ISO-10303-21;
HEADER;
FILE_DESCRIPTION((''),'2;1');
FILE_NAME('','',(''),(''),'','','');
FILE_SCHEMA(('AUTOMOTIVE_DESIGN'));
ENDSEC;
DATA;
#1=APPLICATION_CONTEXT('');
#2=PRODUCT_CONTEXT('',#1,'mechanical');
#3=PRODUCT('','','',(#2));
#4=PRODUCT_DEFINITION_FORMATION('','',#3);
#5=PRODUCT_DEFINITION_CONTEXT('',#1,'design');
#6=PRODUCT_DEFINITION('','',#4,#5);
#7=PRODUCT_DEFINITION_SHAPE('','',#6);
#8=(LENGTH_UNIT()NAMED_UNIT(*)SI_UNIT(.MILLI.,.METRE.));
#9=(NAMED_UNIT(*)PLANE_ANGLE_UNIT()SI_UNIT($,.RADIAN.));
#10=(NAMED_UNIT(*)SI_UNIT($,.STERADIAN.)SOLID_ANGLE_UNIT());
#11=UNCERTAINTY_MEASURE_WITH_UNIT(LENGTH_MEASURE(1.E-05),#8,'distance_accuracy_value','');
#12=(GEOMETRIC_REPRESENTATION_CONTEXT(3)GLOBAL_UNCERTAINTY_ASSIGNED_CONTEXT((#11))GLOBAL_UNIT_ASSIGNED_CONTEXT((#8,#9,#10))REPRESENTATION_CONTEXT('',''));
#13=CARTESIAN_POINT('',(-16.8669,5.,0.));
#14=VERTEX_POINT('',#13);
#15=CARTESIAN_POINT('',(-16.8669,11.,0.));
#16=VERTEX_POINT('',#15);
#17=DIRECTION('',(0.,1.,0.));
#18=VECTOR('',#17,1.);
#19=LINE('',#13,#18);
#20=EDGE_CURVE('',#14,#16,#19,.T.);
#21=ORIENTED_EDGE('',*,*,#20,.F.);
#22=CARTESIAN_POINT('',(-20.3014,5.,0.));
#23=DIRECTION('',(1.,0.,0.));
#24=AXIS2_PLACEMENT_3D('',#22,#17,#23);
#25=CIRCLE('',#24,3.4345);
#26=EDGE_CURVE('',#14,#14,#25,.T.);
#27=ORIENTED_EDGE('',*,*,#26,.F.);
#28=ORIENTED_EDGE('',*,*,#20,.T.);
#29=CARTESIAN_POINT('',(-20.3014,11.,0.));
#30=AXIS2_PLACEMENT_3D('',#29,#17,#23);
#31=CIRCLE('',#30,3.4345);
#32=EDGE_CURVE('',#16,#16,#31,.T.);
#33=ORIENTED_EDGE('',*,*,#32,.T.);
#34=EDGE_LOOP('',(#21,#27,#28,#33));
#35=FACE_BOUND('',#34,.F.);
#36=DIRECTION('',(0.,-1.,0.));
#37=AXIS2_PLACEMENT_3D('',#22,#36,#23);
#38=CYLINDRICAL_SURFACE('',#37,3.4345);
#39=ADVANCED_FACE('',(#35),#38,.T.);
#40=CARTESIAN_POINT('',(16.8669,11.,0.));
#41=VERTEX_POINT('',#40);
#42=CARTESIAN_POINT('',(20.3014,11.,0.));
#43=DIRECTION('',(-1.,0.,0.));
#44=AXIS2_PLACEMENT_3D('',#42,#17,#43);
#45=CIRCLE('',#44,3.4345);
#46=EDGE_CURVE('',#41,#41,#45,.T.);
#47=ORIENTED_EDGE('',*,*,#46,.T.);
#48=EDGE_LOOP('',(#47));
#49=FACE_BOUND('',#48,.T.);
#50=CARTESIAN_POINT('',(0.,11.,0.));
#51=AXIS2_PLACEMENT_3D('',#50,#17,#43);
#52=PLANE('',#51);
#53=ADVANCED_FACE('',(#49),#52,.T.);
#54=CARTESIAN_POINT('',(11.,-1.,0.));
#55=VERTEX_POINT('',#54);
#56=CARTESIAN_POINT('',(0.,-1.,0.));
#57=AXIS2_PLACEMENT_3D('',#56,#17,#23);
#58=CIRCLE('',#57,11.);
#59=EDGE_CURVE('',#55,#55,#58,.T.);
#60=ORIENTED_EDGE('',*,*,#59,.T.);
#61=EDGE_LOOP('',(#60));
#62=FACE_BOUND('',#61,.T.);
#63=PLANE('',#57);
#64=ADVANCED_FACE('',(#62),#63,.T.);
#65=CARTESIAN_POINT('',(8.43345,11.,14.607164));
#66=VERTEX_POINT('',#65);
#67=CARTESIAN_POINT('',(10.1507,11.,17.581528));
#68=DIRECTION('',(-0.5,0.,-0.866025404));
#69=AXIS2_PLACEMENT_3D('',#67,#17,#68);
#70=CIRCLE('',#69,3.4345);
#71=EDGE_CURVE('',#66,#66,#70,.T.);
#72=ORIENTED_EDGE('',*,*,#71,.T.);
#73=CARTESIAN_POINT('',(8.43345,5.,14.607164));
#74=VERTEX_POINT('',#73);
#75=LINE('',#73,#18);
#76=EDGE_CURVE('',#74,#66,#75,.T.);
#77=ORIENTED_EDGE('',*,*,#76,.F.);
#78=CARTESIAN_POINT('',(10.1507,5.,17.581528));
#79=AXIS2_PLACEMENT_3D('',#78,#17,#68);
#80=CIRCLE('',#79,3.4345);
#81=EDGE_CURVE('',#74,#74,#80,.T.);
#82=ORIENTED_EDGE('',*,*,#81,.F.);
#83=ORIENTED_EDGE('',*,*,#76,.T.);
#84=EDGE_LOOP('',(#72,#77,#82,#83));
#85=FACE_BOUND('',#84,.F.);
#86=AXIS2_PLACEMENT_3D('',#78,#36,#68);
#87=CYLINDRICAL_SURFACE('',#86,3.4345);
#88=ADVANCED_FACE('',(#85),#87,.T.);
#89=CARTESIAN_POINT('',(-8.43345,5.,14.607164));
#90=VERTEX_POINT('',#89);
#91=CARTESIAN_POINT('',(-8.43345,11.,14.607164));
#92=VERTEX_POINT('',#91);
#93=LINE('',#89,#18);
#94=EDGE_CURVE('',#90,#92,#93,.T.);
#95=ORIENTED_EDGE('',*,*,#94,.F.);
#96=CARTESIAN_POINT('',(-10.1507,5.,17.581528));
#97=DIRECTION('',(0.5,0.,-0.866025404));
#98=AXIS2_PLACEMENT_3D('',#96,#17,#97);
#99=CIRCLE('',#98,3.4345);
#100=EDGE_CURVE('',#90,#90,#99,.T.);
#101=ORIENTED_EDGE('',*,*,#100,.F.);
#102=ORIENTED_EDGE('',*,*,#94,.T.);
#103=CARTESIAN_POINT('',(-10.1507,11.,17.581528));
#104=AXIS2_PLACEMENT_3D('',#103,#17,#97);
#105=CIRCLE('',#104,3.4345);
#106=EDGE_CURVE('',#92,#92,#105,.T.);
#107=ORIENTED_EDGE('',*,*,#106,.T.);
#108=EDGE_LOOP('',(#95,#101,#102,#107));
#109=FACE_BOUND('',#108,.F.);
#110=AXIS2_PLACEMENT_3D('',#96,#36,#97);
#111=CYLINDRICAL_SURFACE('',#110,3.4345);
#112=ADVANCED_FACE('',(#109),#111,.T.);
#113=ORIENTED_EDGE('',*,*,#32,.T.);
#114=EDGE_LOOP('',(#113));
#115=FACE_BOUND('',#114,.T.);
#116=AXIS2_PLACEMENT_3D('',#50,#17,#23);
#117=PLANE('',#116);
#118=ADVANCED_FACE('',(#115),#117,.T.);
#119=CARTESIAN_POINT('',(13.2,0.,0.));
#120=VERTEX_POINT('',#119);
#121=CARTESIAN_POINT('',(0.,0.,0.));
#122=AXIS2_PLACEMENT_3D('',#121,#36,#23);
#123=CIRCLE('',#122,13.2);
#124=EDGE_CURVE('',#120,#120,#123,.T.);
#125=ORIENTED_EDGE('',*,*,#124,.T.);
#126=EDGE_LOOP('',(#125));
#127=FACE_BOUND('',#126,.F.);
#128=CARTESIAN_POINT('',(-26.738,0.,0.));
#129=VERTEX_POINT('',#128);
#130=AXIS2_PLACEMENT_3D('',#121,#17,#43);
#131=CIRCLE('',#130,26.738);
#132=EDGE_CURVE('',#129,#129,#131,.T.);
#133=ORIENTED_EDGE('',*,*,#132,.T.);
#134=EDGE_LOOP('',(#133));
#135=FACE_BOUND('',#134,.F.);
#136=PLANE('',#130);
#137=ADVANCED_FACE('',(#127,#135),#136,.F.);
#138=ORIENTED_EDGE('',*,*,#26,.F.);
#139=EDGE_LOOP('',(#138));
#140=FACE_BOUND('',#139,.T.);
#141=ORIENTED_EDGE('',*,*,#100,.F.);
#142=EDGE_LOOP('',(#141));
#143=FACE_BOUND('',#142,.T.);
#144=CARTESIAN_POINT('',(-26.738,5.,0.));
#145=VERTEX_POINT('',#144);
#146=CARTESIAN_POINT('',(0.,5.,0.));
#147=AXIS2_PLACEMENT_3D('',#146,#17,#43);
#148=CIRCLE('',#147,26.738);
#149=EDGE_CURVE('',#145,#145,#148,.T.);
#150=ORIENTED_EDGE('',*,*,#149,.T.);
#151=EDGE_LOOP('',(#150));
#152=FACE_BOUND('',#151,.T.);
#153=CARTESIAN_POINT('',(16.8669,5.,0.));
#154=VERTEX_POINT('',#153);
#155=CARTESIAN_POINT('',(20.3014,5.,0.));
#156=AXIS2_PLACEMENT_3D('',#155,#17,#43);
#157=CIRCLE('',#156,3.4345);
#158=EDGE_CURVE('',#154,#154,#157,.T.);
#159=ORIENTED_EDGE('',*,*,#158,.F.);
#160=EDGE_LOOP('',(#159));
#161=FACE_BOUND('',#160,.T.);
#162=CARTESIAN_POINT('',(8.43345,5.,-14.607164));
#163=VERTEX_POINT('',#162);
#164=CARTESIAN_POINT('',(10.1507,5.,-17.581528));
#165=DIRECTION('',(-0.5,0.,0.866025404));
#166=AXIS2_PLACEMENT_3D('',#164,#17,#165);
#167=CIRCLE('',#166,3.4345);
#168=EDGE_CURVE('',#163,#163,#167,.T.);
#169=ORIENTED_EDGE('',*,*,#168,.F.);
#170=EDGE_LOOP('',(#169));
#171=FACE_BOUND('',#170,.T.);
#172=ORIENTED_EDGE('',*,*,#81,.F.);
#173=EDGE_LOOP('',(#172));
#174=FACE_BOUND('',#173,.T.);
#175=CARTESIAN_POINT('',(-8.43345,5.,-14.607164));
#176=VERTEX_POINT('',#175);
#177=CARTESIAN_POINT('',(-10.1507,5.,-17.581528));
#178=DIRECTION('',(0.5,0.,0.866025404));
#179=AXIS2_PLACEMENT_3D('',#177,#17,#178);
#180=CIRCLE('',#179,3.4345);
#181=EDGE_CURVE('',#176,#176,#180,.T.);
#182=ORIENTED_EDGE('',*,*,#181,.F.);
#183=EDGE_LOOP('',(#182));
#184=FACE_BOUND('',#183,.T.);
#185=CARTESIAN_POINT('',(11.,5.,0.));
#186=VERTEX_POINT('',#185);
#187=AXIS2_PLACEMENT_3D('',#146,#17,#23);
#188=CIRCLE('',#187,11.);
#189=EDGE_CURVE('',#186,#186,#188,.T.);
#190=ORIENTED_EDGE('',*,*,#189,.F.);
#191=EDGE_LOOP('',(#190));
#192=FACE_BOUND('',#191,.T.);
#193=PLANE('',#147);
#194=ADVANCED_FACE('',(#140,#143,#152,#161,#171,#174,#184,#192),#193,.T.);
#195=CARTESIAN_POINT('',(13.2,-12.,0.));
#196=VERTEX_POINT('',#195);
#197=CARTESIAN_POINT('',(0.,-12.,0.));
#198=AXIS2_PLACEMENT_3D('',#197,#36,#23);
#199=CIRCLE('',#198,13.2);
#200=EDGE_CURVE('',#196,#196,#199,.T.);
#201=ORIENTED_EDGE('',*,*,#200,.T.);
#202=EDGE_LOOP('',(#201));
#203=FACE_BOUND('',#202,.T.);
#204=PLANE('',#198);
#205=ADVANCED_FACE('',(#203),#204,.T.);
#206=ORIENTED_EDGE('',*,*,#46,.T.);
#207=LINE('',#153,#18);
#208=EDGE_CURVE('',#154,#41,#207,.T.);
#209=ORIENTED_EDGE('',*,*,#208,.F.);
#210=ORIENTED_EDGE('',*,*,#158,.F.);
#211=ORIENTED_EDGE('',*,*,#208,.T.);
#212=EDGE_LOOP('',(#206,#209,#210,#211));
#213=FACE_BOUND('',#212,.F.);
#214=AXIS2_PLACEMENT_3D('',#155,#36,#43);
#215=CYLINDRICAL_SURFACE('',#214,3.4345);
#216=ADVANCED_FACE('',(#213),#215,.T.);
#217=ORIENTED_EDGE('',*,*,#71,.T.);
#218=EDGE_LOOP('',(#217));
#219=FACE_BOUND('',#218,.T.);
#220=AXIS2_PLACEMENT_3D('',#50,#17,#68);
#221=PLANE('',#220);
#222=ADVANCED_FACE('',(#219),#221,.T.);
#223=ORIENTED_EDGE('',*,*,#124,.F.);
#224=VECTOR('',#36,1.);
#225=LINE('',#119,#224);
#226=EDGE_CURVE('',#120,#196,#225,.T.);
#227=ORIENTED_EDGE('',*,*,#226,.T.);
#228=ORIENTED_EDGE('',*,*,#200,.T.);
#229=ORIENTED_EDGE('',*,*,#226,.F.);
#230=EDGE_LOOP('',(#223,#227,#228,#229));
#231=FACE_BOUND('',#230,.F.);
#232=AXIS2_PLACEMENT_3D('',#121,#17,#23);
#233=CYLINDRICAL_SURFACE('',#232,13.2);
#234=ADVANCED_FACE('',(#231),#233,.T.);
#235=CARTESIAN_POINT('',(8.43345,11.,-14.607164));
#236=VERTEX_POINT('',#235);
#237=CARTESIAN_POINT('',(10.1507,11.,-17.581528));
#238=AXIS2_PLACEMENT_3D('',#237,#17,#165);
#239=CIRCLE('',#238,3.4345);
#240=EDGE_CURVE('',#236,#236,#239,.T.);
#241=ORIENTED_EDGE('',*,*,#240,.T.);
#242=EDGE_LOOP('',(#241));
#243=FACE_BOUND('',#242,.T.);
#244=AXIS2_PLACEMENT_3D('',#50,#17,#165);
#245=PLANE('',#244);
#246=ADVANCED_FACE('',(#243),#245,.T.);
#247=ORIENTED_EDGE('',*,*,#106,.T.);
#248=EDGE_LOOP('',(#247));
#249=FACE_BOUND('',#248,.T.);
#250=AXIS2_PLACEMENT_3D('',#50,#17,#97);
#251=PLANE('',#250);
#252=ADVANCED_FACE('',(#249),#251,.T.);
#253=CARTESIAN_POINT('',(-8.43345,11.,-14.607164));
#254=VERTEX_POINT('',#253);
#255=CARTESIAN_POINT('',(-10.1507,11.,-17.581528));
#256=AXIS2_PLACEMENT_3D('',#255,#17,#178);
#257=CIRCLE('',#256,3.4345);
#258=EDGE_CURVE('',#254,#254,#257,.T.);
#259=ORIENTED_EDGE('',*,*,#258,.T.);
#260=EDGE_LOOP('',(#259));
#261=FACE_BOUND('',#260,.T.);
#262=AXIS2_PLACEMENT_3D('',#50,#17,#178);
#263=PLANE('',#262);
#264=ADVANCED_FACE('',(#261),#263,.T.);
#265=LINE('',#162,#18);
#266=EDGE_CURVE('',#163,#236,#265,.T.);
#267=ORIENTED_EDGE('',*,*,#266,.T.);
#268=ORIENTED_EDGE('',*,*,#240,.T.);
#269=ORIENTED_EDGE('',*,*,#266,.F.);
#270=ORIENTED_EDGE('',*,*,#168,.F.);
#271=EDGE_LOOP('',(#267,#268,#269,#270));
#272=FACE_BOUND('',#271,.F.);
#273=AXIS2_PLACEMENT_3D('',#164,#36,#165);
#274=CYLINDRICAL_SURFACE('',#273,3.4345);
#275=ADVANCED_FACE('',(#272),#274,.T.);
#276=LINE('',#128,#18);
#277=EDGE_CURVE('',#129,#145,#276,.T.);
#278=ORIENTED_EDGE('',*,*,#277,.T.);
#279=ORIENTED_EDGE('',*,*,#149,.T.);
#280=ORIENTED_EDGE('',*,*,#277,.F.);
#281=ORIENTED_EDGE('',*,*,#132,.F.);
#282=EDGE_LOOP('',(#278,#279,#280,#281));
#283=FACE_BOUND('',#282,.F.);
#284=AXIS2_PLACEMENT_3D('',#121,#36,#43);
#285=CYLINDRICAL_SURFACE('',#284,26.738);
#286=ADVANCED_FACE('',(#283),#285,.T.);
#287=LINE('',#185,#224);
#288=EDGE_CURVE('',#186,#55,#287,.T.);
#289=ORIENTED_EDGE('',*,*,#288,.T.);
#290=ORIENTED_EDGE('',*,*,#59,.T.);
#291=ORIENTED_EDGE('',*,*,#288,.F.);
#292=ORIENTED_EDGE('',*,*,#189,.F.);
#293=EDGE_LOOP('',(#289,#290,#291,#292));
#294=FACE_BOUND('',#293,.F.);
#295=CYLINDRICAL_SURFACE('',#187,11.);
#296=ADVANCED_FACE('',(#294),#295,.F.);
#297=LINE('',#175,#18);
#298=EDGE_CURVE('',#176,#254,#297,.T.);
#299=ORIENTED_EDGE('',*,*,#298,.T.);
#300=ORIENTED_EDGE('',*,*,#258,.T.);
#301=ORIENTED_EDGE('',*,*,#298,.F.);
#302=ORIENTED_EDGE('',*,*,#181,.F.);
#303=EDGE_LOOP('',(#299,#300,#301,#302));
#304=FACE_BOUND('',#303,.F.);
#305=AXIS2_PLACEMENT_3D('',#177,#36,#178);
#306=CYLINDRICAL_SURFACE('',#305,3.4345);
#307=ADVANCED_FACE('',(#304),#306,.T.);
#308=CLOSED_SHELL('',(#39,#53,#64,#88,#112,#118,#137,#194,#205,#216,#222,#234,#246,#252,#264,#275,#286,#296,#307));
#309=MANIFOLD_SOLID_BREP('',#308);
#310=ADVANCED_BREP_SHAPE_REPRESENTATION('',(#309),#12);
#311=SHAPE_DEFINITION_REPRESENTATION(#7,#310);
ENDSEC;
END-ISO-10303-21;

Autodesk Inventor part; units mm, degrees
ref_plane "YZ Plane" through (0, 0, 0) normal (1, 0, 0) x (0, 1, 0)
ref_plane "XZ Plane" through (0, 0, 0) normal (0, 1, 0) x (-1, 0, 0)
ref_plane "XY Plane" through (0, 0, 0) normal (0, 0, 1) x (1, 0, 0)
sketch "Szkic1" plane through (0, 0, 0) normal (0, 1, 0) x (-1, 0, 0)
  circle A0 centre (0, 0) radius 26.738
  dimension "d0" = 26.738
extrude "Wyciągnięcie proste1" add sketch "Szkic1" along normal blind 5
sketch "Szkic2" plane through (0, 5, 0) normal (0, 1, 0) x (1, 0, 0)
  circle A0 centre (-1.4324, 0) radius 18.869 construction
  circle A1 centre (-20.3014, 0) radius 3.4345
  point P0 (0, 0)
  dimension "d5" = 3.4345
  dimension "d6" = 18.869
extrude "Wyciągnięcie proste2" add sketch "Szkic2" along normal blind 6
pattern_circular "Szyk kołowy1" count 6 over 360 about axis through (0, 0, 0) along (0, 1, 0) of "Wyciągnięcie proste2"
sketch "Szkic5" plane through (0, 0, 0) normal (0, -1, 0) x (1, 0, 0)
  point P0 (0, 0)
sketch "Szkic6" plane through (0, 0, 0) normal (0, -1, 0) x (1, 0, 0)
  circle A0 centre (0, 0) radius 13.2
  dimension "d17" = 13.2
extrude "Wyciągnięcie proste5" add sketch "Szkic6" along normal blind 12
sketch "Szkic7" plane through (0, 5, 0) normal (0, 1, 0) x (1, 0, 0)
  circle A0 centre (0, 0) radius 11
  dimension "d20" = 11
extrude "Wyciągnięcie proste6" cut sketch "Szkic7" against normal blind 6
equation "\"d0\" = R"
equation "\"d3\" = h2"
equation "\"d5\" = dwr1"
equation "\"d6\" = dwr2"
equation "\"d17\" = 1.2 * Lrz"
equation "\"d18\" = h2 + Lh"
equation "\"d20\" = Lrz"
equation "\"silnik_rw\" = 2.5"
equation "\"silnik_d_srub\" = 31"
equation "\"silnik_r_wypust\" = Lrz"
equation "\"Lrz\" = 11"
equation "\"Lh\" = 7"
equation "\"Lrw\" = 4"
equation "\"h2\" = 5"
equation "\"h1\" = 2"
equation "\"Rr\" = 2"
equation "\"E1\" = 1"
equation "\"dwr\" = R"
equation "\"dwr2\" = 0.5 * Lrz + 0.5 * R"
equation "\"dwr1\" = -0.25 * Rr + 0.25 * R - 0.25 * Lrz"
equation "\"R1\" = 5"
equation "\"korpus_rw\" = 36.5"
equation "\"R\" = 26.73803"
properties part number "Dysk_wy"
